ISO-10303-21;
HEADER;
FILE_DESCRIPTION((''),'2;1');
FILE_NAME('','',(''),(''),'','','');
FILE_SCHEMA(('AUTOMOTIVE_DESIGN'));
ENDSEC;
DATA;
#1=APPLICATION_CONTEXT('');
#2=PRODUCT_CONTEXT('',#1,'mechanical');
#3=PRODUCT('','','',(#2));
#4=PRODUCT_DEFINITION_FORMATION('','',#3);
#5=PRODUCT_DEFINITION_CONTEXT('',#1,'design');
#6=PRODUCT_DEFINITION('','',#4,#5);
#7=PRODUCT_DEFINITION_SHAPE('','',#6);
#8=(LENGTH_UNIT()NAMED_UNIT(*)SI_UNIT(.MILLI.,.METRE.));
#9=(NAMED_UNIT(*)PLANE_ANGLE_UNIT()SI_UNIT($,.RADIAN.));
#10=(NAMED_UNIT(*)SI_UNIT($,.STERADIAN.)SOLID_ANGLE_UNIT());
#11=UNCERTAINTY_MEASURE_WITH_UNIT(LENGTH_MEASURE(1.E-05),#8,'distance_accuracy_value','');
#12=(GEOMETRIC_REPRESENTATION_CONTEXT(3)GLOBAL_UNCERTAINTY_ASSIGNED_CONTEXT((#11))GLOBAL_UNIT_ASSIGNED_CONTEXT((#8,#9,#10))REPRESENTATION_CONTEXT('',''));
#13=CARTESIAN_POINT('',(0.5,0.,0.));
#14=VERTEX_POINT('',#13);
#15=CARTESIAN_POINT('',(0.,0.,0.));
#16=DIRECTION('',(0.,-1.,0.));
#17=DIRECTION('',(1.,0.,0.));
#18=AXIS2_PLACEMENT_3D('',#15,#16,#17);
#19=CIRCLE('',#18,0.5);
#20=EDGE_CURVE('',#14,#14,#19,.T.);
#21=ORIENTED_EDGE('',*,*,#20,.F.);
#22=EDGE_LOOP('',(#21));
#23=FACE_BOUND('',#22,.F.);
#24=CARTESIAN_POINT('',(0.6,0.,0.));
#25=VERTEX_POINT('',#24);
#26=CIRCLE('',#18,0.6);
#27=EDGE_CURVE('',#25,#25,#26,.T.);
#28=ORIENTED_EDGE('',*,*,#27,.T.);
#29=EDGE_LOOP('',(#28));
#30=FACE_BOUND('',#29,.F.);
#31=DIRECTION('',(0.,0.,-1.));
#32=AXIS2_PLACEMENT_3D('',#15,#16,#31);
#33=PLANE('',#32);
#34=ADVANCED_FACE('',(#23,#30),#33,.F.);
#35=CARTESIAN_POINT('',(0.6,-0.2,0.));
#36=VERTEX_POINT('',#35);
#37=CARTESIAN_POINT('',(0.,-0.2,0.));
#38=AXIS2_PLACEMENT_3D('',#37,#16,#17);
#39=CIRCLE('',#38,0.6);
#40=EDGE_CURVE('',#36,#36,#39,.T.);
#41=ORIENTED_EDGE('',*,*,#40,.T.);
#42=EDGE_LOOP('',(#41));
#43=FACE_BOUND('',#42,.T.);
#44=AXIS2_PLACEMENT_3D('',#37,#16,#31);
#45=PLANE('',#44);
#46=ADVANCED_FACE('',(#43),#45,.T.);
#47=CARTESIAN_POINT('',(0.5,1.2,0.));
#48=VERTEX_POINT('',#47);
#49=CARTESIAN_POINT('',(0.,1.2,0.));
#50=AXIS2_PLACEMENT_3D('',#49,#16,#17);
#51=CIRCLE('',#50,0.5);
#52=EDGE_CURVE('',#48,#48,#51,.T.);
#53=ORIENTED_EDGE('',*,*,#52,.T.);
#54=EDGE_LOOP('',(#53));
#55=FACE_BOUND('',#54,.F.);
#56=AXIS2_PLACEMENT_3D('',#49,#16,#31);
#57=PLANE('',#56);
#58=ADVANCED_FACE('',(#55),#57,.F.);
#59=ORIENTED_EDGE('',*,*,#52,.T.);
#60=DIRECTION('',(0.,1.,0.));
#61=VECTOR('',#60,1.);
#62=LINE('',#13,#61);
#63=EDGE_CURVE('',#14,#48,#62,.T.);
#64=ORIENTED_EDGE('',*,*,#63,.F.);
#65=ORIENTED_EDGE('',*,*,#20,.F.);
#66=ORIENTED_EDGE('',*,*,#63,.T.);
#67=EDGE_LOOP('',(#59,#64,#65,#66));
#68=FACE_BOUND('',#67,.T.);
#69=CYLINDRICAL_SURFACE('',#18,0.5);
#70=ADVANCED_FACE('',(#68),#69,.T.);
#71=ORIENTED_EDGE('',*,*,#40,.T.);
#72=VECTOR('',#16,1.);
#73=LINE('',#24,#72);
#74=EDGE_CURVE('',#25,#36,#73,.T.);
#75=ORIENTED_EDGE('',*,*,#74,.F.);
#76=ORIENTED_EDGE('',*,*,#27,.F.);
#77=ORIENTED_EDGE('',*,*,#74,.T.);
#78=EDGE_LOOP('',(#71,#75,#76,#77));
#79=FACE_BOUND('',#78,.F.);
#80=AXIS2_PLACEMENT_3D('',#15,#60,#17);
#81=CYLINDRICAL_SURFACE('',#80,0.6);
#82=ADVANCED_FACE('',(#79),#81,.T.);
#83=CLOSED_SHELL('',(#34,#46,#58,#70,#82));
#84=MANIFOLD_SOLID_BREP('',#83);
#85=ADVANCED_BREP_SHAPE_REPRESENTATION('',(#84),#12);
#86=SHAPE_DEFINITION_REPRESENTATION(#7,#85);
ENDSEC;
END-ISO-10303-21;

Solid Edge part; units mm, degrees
sketch "Sketch1" plane through (0, 0, 0) normal (0, -1, 0) x (1, 0, 0)
  circle A0 centre (0, 0) radius 0.5
extrude "Protrusion1" add sketch "Sketch1" against normal blind 1.2
sketch "Sketch2" plane through (0, 0, 0) normal (0, -1, 0) x (1, 0, 0)
  circle A0 centre (0, 0) radius 0.6
extrude "ExtrudedProtrusion_2" add sketch "Sketch2" along normal blind 0.2
